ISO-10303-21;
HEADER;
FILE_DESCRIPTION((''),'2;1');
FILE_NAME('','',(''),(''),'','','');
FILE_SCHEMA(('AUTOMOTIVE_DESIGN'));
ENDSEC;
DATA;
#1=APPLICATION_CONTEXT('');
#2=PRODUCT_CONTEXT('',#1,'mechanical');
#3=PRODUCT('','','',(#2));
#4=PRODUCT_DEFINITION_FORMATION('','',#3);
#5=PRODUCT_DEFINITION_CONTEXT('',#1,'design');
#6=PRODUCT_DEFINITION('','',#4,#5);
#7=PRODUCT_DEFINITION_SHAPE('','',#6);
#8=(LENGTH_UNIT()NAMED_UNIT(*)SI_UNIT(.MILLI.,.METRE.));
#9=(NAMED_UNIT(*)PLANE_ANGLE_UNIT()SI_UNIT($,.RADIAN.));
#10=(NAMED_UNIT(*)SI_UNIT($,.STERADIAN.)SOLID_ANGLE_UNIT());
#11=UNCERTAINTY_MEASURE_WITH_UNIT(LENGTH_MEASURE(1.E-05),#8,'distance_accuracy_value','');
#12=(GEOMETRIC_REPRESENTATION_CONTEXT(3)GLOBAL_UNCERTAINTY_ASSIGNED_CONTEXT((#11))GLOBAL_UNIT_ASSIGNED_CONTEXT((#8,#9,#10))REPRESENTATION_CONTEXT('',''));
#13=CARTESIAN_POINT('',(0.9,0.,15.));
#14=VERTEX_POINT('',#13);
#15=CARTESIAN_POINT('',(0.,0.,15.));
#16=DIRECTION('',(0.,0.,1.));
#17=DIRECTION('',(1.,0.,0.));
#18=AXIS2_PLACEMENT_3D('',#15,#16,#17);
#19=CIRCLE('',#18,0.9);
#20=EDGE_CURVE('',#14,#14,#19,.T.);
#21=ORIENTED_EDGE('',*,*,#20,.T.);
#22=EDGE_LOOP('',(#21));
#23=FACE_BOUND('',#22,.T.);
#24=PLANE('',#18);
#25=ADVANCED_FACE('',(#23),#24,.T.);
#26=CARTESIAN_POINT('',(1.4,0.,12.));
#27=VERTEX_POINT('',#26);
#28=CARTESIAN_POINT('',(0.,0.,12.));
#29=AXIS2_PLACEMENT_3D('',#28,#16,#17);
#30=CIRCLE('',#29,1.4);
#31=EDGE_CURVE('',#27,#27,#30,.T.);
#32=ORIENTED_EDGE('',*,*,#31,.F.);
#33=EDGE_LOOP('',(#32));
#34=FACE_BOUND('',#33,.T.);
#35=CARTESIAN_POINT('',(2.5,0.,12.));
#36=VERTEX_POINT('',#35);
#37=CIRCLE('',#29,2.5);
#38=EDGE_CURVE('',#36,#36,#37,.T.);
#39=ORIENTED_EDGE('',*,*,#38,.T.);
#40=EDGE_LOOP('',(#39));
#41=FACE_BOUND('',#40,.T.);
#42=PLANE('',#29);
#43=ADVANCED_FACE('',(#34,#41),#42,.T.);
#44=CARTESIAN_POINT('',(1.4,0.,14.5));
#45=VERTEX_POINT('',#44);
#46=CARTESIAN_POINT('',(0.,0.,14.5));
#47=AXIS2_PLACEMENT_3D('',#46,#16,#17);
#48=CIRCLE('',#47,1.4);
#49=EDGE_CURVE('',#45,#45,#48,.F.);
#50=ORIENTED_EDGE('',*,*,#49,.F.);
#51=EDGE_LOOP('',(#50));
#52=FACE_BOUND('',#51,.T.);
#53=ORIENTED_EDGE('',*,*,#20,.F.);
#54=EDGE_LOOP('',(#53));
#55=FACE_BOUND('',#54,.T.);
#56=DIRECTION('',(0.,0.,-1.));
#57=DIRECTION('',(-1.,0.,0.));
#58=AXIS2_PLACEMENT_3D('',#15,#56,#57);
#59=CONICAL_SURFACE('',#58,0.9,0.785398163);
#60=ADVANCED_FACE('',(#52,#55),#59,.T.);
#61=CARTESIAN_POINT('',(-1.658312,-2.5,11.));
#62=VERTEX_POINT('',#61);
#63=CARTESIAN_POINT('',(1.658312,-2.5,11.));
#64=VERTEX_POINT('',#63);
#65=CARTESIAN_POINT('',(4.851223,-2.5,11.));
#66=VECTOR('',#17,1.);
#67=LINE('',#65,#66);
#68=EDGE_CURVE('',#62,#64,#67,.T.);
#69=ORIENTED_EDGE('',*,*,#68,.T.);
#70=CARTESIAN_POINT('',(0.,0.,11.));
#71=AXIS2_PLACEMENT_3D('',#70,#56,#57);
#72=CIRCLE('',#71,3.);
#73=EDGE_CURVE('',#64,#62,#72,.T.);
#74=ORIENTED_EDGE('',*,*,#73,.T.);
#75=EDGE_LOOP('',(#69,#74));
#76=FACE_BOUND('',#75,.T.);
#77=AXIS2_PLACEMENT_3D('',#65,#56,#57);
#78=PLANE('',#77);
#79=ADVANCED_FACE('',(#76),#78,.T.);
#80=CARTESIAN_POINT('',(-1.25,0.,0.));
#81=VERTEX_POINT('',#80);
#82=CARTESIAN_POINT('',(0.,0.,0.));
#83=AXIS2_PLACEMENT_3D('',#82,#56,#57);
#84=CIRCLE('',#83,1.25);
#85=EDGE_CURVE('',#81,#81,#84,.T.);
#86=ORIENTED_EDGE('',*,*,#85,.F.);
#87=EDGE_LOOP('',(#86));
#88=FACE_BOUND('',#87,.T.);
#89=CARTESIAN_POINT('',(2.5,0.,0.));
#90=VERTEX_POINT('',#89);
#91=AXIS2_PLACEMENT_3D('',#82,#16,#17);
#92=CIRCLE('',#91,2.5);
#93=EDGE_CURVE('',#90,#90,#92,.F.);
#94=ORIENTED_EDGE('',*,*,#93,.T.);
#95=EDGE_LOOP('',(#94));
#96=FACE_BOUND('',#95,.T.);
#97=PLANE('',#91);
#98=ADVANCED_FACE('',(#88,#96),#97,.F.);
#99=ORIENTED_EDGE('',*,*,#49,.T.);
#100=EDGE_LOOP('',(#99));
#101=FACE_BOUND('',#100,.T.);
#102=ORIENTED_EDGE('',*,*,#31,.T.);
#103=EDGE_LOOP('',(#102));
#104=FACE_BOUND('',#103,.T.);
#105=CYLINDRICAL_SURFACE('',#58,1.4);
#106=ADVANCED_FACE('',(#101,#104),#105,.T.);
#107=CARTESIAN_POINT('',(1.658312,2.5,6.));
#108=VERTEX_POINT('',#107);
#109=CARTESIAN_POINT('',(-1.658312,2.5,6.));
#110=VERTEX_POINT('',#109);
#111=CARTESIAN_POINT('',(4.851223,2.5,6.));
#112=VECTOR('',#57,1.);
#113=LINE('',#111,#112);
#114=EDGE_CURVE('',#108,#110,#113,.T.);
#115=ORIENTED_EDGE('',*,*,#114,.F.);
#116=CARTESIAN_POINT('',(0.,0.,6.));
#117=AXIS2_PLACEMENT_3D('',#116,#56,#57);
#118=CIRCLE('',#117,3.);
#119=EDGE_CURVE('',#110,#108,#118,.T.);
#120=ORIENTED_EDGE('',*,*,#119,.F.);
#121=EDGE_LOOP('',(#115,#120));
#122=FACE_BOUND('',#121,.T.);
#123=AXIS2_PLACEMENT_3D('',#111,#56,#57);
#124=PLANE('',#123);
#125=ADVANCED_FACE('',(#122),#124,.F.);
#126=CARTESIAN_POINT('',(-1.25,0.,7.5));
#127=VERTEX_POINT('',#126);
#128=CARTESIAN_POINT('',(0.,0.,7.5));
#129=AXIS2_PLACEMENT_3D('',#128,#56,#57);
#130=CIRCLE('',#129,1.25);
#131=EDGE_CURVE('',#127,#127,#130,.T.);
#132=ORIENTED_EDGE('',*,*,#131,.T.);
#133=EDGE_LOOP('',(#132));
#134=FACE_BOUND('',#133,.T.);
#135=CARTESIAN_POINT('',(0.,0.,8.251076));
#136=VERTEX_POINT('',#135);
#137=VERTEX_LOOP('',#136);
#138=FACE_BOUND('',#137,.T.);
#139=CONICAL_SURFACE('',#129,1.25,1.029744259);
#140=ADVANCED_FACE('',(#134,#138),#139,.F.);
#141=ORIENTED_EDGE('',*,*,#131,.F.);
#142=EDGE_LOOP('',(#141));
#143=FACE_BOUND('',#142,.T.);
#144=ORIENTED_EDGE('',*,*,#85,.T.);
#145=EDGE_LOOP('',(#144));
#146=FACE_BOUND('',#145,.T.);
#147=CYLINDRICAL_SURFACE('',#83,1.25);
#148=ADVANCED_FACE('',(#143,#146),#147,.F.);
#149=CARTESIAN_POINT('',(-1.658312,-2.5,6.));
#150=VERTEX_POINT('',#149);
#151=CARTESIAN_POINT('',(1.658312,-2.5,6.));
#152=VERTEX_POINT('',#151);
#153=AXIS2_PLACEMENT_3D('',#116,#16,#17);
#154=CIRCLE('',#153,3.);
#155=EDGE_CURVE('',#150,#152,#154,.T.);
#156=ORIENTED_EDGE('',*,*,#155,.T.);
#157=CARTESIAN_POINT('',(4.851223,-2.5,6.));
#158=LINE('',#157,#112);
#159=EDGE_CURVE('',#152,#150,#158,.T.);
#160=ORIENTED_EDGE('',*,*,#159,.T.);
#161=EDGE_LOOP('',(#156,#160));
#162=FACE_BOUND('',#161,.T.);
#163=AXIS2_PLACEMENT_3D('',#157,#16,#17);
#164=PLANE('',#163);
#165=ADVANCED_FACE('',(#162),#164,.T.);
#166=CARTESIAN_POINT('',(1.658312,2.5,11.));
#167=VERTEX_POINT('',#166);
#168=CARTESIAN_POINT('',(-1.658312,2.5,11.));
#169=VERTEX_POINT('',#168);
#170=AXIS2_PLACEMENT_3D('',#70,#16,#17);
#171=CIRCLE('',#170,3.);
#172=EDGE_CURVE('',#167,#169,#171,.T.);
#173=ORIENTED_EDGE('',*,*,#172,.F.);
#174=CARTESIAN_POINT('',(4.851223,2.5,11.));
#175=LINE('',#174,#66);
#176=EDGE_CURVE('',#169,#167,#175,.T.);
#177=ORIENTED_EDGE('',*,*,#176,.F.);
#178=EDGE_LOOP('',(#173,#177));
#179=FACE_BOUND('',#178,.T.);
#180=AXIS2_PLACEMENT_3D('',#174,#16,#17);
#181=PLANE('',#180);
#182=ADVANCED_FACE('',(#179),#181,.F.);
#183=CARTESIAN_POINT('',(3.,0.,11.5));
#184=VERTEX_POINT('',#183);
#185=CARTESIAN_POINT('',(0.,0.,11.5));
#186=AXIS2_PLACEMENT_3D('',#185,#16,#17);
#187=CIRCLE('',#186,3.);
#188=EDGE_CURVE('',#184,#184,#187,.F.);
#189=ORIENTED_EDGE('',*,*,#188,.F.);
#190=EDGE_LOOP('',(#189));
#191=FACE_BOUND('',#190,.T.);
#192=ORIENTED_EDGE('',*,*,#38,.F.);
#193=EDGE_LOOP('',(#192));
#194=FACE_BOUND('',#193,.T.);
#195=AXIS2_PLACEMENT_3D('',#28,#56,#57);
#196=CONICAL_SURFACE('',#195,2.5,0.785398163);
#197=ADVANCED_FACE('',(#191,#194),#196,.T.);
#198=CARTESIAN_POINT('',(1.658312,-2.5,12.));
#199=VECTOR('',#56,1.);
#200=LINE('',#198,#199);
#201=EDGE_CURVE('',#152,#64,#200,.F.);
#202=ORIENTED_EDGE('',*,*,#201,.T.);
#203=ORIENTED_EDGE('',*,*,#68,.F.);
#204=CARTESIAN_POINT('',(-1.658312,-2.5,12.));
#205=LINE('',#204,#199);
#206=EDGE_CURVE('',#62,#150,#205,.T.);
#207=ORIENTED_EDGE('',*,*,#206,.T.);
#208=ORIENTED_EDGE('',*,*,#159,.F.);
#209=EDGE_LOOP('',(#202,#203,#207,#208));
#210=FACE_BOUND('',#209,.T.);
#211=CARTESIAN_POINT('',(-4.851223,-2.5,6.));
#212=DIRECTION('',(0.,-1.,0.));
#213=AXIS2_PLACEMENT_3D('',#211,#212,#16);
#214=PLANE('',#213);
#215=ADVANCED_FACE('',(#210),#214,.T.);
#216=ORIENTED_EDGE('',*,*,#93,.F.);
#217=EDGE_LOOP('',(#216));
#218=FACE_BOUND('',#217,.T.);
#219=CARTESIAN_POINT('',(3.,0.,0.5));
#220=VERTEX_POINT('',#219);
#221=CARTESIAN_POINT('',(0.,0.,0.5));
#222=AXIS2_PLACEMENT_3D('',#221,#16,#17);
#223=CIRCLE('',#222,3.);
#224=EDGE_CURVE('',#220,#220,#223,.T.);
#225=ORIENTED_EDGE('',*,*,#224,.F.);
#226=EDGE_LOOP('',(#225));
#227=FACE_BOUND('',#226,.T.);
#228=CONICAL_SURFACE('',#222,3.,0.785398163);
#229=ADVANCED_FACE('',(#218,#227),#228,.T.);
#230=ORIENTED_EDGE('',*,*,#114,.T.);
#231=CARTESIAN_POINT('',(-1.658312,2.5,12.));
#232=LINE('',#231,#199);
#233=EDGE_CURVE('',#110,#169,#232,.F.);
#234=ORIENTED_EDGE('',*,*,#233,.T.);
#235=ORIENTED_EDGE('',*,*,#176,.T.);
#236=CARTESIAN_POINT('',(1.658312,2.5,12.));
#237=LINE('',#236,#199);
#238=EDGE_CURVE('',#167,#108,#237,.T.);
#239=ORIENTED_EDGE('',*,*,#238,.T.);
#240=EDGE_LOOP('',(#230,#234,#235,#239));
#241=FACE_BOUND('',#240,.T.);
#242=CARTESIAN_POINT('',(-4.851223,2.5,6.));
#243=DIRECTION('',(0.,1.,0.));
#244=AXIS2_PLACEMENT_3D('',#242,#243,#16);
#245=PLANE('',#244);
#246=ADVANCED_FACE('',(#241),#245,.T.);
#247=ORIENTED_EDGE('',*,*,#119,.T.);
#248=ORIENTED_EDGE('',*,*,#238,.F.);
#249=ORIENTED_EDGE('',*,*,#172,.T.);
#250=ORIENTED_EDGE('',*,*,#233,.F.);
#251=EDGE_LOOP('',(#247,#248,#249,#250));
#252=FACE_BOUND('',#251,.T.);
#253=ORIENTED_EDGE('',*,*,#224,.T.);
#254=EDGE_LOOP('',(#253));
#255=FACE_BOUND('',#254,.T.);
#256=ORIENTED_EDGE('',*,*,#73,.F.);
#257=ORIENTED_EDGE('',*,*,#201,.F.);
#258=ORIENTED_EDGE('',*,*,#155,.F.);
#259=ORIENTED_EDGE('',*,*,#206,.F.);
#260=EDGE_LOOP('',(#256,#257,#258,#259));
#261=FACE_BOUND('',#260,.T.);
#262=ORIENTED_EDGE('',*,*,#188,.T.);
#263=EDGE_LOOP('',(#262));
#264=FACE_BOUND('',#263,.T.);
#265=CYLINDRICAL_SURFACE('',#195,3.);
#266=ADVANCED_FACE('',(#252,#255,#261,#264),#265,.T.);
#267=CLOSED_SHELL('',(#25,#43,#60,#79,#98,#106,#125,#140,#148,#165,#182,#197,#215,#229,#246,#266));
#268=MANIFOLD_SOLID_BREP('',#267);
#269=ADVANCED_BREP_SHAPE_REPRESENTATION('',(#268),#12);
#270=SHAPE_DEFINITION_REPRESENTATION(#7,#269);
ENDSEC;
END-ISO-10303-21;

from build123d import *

# Parameters (mm, degrees)
SKETCH_1_R             = 3
EXTRUDE_1_DEPTH        = 12
SKETCH_2_R             = 1.4
EXTRUDE_2_DEPTH        = 3
CHAMFER_1_SIZE         = 0.5
HOLE_WIZARD_M3_1_D     = 2.5
HOLE_WIZARD_M3_1_DEPTH = 7.5
HOLE_WIZARD_M3_1_TIP   = 0.751075774
SKETCH_7_W             = 9.702446008
SKETCH_7_H             = 5
CUT_EXTRUDE_1_DEPTH    = 0.5


with BuildPart() as part:
    # 草图1 → 凸台-拉伸1 (new body)
    with BuildSketch(Plane.XY):
        Circle(SKETCH_1_R)
    extrude(amount=EXTRUDE_1_DEPTH)

    # 草图2 → 凸台-拉伸2 (add)
    with BuildSketch(Plane.XY.offset(12)):
        Circle(SKETCH_2_R)
    extrude(amount=EXTRUDE_2_DEPTH)

    # 倒角1
    chamfer_1_edges = [part.edges().sort_by_distance(p)[0] for p in [
        (-3, 0, 0),
        (-3, 0, 12),
        (-1.4, 0, 15),
    ]]
    chamfer(chamfer_1_edges, length=CHAMFER_1_SIZE)

    # M3 螺纹孔1
    with Locations(Plane(origin=(0, 0, 0), x_dir=(-1, 0, 0), z_dir=(0, 0, -1))):
        with Locations((0, 0)):
            Hole(HOLE_WIZARD_M3_1_D / 2, depth=HOLE_WIZARD_M3_1_DEPTH)
            with Locations((0, 0, -(HOLE_WIZARD_M3_1_DEPTH + HOLE_WIZARD_M3_1_TIP / 2))):  # 118° drill point
                Cone(0, HOLE_WIZARD_M3_1_D / 2, HOLE_WIZARD_M3_1_TIP, mode=Mode.SUBTRACT)

    # 草图7 → 切除-拉伸1 (cut)
    with BuildSketch(Plane(origin=(0, 3, 0), x_dir=(-1, 0, 0), z_dir=(0, 1, 0))):
        with Locations((0, 8.5)):
            Rectangle(SKETCH_7_W, SKETCH_7_H)
    cut_extrude_1 = extrude(amount=-CUT_EXTRUDE_1_DEPTH, mode=Mode.SUBTRACT)

    # 镜向1: 切除-拉伸1 across plane
    add(cut_extrude_1.mirror(Plane.ZX), mode=Mode.SUBTRACT)


solid = part.part
